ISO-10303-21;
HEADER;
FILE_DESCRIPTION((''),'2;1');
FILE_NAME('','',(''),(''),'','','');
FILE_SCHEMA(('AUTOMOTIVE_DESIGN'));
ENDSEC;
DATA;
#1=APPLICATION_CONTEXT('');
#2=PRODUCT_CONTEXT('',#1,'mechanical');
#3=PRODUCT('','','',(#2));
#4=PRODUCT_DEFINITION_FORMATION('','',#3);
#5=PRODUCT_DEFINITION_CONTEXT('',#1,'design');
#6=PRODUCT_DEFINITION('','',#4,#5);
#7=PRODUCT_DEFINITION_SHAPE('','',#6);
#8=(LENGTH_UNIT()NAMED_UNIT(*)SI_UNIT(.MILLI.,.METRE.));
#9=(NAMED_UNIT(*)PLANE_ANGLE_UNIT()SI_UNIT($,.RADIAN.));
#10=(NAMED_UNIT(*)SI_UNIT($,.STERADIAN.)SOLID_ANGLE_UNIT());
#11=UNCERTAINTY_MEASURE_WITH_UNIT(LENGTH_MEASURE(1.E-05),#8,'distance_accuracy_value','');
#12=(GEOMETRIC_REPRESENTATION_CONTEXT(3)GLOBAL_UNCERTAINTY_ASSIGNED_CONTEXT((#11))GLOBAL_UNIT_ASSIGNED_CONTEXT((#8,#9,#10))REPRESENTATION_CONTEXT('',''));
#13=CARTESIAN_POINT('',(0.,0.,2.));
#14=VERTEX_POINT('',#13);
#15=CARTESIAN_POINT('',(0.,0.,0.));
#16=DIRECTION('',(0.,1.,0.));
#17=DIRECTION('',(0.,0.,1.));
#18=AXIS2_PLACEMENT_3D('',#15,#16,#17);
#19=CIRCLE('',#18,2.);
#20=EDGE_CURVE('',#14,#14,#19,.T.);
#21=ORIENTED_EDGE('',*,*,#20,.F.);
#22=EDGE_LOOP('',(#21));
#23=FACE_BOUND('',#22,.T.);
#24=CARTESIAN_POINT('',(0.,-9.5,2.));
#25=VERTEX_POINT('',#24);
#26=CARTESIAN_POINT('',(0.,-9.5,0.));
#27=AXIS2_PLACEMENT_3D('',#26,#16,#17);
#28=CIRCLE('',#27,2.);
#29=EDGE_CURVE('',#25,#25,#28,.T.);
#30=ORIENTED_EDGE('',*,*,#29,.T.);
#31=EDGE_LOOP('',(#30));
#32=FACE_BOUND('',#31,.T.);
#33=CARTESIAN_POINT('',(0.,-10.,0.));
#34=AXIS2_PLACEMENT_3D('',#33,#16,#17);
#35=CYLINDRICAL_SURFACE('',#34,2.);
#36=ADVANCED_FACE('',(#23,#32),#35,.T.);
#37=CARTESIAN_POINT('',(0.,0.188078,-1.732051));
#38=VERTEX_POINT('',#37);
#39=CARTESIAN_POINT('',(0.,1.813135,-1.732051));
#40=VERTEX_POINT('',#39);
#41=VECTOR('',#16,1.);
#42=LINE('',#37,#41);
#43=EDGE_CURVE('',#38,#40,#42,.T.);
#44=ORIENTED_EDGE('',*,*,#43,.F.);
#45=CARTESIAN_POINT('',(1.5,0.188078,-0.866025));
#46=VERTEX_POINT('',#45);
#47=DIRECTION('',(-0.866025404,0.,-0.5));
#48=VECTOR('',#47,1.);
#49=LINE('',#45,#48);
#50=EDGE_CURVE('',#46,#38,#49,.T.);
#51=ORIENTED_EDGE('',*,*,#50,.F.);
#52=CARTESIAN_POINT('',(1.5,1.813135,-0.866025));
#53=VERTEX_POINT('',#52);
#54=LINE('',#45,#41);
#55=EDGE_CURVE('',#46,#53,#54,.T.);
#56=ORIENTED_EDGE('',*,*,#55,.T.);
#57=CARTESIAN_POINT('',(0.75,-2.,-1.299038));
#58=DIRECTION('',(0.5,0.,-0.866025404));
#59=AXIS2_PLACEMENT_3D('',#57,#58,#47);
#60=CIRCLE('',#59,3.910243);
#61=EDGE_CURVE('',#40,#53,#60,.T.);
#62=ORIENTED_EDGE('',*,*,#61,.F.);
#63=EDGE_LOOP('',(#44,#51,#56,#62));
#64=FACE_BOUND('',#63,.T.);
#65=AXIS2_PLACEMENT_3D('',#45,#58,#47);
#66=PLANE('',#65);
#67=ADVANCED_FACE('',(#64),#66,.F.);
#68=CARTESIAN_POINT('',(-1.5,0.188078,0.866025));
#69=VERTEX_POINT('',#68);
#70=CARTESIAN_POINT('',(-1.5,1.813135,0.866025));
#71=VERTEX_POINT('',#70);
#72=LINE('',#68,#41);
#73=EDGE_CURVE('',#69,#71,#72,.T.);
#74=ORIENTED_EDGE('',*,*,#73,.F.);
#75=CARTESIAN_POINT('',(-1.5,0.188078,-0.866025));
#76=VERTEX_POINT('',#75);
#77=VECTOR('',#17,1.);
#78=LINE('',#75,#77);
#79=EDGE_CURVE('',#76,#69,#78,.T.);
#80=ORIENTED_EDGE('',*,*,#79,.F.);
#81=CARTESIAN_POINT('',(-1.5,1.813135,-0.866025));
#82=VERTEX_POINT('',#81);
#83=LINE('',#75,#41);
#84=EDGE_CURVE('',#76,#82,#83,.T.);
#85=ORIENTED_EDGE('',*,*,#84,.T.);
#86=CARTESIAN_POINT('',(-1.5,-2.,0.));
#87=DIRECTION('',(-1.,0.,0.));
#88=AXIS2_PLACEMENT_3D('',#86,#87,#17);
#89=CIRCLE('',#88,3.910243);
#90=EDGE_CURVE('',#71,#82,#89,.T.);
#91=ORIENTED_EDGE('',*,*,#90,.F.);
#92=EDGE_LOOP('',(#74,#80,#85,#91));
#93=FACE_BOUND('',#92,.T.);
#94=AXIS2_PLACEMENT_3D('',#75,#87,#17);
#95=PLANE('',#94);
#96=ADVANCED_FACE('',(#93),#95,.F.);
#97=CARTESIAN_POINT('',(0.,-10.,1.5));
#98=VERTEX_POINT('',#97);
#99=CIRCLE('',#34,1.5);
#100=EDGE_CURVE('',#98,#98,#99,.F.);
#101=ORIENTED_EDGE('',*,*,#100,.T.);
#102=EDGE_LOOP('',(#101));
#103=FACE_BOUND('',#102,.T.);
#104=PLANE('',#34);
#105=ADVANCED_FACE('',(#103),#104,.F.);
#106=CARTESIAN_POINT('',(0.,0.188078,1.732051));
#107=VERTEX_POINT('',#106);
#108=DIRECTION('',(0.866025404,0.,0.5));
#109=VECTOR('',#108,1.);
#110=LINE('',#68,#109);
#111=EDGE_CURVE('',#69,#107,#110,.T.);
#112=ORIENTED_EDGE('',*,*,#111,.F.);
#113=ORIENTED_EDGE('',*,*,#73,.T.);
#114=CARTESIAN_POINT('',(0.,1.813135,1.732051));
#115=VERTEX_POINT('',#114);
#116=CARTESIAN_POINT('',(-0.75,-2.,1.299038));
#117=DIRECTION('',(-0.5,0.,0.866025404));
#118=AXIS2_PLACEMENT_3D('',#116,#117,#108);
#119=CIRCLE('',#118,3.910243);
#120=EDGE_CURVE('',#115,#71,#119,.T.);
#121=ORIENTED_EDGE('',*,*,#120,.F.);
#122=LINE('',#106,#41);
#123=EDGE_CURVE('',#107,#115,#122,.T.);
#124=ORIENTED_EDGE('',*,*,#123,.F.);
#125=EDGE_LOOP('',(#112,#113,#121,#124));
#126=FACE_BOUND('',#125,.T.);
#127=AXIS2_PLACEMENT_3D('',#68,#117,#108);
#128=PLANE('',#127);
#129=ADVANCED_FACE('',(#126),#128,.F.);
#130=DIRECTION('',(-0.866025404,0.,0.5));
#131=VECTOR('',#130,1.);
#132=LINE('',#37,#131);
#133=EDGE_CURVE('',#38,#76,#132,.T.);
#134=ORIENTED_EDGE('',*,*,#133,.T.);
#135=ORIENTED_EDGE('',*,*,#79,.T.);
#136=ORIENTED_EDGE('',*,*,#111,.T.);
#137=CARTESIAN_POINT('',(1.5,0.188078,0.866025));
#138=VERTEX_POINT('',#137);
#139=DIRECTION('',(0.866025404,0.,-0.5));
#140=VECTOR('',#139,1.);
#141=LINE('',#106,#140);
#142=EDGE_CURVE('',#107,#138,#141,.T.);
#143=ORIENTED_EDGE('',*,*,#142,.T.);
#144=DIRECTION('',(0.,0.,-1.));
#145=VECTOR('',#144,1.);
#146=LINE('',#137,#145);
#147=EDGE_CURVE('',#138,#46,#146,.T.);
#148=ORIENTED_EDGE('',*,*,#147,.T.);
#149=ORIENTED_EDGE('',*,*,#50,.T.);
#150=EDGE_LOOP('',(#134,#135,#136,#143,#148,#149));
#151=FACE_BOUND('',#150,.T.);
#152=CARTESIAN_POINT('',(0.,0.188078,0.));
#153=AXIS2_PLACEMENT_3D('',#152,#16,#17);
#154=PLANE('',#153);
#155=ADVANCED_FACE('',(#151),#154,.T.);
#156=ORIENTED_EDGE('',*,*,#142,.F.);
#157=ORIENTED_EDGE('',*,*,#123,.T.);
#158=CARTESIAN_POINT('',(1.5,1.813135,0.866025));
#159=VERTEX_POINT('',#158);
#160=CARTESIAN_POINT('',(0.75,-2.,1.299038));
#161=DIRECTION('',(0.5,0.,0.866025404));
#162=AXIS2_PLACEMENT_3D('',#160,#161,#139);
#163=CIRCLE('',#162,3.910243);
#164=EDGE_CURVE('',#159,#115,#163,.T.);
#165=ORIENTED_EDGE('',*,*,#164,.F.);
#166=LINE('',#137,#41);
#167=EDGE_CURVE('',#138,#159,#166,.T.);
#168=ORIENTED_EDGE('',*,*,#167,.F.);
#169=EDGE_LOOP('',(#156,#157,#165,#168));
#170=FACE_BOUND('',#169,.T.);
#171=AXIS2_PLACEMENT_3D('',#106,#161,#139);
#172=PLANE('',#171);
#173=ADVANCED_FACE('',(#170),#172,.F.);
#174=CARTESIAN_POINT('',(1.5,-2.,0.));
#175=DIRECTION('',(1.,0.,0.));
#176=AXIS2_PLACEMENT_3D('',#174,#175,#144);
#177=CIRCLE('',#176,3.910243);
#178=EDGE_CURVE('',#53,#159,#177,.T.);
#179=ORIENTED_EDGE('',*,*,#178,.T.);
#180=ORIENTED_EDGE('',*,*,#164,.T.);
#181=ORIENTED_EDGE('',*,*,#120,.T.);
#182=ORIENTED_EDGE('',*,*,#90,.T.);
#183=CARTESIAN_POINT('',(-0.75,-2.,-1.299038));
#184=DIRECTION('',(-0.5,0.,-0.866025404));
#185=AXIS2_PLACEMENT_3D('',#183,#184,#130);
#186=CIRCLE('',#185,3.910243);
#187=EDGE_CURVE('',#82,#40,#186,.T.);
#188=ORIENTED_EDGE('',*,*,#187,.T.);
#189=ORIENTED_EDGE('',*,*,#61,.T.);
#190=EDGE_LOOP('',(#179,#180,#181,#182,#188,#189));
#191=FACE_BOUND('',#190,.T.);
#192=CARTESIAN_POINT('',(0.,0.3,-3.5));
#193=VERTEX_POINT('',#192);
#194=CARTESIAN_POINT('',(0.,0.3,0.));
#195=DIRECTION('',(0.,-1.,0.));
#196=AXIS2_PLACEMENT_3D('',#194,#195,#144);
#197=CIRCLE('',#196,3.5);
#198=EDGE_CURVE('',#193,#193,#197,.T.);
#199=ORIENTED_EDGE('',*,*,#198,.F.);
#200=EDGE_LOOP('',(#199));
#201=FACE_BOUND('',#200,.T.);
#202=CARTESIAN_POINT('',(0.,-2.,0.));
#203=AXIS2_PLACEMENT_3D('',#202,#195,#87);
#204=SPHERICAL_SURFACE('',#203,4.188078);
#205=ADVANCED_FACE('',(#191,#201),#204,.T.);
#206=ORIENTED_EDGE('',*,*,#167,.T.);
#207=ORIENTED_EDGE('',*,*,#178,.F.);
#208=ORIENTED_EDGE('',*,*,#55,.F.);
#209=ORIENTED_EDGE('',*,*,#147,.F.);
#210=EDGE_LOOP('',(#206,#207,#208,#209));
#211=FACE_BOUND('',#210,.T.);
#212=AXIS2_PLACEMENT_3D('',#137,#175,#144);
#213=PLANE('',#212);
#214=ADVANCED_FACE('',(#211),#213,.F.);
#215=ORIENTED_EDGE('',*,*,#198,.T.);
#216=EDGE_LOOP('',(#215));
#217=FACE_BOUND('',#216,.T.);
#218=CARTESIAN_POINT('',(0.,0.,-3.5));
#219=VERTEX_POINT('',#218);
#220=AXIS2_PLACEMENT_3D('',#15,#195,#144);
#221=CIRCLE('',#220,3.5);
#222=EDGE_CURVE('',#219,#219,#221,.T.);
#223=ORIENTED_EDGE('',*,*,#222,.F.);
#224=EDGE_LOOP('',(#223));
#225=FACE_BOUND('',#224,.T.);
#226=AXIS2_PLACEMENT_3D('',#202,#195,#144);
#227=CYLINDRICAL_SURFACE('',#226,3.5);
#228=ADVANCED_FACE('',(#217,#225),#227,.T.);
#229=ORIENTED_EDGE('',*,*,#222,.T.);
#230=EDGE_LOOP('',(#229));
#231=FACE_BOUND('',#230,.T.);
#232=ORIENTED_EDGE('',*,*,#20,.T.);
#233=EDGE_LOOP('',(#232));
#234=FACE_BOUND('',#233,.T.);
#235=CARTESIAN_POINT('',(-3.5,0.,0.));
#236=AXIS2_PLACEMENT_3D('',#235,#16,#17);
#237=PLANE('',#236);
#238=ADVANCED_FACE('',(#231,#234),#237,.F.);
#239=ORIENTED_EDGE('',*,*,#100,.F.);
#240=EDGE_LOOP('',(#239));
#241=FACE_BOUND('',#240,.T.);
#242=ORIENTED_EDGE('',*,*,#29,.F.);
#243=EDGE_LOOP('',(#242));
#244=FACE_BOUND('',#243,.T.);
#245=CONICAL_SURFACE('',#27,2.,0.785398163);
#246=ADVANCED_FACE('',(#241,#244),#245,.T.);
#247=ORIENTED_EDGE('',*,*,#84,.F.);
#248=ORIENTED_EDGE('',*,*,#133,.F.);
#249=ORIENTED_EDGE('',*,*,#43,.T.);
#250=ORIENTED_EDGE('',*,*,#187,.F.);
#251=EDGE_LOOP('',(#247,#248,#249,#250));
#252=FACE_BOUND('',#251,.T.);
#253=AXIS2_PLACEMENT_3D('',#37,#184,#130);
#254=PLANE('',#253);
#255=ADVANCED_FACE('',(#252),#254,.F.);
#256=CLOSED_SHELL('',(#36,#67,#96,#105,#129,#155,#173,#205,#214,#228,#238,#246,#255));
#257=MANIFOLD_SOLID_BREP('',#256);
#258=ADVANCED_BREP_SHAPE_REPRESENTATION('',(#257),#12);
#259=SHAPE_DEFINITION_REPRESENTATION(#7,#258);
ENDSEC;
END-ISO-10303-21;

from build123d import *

# Parameters (mm, degrees)
SKETCH1_R           = 2
BOSS_EXTRUDE3_DEPTH = 10
CHAMFER2_SIZE       = 0.5
CUT_EXTRUDE2_DEPTH  = 2


with BuildPart() as part:
    # Sketch1 → Boss-Extrude3 (new body)
    with BuildSketch(Plane(origin=(0, 0, 0), x_dir=(1, 0, 0), z_dir=(0, 1, 0))):
        Circle(SKETCH1_R)
    extrude(amount=-BOSS_EXTRUDE3_DEPTH)

    # Sketch3 → Revolve2 (revolve)
    with BuildSketch(Plane.XY):
        with BuildLine():
            Line((-3.5, 0), (-3.5, 0.3))
            ThreePointArc((-3.5, 0.3), (-1.988393808, 1.6859585), (0, 2.188078318))
            Line((0, 2.188078318), (0, 0))
            Line((0, 0), (-3.5, 0))
        make_face()
    revolve(axis=Axis((0, -2, 0), (0, 1, 0)))

    # Chamfer2
    chamfer2_edges = [part.edges().sort_by_distance(p)[0] for p in [
        (-2, -10, 0),
    ]]
    chamfer(chamfer2_edges, length=CHAMFER2_SIZE)

    # Sketch4 → Cut-Extrude2 (cut)
    with BuildSketch(Plane(origin=(0, 2.188078318, 0), x_dir=(1, 0, 0), z_dir=(0, 1, 0))):
        Polygon((0, 1.732050808), (-1.5, 0.866025404), (-1.5, -0.866025404), (0, -1.732050808), (1.5, -0.866025404), (1.5, 0.866025404), align=None)
    extrude(amount=-CUT_EXTRUDE2_DEPTH, mode=Mode.SUBTRACT)


solid = part.part
